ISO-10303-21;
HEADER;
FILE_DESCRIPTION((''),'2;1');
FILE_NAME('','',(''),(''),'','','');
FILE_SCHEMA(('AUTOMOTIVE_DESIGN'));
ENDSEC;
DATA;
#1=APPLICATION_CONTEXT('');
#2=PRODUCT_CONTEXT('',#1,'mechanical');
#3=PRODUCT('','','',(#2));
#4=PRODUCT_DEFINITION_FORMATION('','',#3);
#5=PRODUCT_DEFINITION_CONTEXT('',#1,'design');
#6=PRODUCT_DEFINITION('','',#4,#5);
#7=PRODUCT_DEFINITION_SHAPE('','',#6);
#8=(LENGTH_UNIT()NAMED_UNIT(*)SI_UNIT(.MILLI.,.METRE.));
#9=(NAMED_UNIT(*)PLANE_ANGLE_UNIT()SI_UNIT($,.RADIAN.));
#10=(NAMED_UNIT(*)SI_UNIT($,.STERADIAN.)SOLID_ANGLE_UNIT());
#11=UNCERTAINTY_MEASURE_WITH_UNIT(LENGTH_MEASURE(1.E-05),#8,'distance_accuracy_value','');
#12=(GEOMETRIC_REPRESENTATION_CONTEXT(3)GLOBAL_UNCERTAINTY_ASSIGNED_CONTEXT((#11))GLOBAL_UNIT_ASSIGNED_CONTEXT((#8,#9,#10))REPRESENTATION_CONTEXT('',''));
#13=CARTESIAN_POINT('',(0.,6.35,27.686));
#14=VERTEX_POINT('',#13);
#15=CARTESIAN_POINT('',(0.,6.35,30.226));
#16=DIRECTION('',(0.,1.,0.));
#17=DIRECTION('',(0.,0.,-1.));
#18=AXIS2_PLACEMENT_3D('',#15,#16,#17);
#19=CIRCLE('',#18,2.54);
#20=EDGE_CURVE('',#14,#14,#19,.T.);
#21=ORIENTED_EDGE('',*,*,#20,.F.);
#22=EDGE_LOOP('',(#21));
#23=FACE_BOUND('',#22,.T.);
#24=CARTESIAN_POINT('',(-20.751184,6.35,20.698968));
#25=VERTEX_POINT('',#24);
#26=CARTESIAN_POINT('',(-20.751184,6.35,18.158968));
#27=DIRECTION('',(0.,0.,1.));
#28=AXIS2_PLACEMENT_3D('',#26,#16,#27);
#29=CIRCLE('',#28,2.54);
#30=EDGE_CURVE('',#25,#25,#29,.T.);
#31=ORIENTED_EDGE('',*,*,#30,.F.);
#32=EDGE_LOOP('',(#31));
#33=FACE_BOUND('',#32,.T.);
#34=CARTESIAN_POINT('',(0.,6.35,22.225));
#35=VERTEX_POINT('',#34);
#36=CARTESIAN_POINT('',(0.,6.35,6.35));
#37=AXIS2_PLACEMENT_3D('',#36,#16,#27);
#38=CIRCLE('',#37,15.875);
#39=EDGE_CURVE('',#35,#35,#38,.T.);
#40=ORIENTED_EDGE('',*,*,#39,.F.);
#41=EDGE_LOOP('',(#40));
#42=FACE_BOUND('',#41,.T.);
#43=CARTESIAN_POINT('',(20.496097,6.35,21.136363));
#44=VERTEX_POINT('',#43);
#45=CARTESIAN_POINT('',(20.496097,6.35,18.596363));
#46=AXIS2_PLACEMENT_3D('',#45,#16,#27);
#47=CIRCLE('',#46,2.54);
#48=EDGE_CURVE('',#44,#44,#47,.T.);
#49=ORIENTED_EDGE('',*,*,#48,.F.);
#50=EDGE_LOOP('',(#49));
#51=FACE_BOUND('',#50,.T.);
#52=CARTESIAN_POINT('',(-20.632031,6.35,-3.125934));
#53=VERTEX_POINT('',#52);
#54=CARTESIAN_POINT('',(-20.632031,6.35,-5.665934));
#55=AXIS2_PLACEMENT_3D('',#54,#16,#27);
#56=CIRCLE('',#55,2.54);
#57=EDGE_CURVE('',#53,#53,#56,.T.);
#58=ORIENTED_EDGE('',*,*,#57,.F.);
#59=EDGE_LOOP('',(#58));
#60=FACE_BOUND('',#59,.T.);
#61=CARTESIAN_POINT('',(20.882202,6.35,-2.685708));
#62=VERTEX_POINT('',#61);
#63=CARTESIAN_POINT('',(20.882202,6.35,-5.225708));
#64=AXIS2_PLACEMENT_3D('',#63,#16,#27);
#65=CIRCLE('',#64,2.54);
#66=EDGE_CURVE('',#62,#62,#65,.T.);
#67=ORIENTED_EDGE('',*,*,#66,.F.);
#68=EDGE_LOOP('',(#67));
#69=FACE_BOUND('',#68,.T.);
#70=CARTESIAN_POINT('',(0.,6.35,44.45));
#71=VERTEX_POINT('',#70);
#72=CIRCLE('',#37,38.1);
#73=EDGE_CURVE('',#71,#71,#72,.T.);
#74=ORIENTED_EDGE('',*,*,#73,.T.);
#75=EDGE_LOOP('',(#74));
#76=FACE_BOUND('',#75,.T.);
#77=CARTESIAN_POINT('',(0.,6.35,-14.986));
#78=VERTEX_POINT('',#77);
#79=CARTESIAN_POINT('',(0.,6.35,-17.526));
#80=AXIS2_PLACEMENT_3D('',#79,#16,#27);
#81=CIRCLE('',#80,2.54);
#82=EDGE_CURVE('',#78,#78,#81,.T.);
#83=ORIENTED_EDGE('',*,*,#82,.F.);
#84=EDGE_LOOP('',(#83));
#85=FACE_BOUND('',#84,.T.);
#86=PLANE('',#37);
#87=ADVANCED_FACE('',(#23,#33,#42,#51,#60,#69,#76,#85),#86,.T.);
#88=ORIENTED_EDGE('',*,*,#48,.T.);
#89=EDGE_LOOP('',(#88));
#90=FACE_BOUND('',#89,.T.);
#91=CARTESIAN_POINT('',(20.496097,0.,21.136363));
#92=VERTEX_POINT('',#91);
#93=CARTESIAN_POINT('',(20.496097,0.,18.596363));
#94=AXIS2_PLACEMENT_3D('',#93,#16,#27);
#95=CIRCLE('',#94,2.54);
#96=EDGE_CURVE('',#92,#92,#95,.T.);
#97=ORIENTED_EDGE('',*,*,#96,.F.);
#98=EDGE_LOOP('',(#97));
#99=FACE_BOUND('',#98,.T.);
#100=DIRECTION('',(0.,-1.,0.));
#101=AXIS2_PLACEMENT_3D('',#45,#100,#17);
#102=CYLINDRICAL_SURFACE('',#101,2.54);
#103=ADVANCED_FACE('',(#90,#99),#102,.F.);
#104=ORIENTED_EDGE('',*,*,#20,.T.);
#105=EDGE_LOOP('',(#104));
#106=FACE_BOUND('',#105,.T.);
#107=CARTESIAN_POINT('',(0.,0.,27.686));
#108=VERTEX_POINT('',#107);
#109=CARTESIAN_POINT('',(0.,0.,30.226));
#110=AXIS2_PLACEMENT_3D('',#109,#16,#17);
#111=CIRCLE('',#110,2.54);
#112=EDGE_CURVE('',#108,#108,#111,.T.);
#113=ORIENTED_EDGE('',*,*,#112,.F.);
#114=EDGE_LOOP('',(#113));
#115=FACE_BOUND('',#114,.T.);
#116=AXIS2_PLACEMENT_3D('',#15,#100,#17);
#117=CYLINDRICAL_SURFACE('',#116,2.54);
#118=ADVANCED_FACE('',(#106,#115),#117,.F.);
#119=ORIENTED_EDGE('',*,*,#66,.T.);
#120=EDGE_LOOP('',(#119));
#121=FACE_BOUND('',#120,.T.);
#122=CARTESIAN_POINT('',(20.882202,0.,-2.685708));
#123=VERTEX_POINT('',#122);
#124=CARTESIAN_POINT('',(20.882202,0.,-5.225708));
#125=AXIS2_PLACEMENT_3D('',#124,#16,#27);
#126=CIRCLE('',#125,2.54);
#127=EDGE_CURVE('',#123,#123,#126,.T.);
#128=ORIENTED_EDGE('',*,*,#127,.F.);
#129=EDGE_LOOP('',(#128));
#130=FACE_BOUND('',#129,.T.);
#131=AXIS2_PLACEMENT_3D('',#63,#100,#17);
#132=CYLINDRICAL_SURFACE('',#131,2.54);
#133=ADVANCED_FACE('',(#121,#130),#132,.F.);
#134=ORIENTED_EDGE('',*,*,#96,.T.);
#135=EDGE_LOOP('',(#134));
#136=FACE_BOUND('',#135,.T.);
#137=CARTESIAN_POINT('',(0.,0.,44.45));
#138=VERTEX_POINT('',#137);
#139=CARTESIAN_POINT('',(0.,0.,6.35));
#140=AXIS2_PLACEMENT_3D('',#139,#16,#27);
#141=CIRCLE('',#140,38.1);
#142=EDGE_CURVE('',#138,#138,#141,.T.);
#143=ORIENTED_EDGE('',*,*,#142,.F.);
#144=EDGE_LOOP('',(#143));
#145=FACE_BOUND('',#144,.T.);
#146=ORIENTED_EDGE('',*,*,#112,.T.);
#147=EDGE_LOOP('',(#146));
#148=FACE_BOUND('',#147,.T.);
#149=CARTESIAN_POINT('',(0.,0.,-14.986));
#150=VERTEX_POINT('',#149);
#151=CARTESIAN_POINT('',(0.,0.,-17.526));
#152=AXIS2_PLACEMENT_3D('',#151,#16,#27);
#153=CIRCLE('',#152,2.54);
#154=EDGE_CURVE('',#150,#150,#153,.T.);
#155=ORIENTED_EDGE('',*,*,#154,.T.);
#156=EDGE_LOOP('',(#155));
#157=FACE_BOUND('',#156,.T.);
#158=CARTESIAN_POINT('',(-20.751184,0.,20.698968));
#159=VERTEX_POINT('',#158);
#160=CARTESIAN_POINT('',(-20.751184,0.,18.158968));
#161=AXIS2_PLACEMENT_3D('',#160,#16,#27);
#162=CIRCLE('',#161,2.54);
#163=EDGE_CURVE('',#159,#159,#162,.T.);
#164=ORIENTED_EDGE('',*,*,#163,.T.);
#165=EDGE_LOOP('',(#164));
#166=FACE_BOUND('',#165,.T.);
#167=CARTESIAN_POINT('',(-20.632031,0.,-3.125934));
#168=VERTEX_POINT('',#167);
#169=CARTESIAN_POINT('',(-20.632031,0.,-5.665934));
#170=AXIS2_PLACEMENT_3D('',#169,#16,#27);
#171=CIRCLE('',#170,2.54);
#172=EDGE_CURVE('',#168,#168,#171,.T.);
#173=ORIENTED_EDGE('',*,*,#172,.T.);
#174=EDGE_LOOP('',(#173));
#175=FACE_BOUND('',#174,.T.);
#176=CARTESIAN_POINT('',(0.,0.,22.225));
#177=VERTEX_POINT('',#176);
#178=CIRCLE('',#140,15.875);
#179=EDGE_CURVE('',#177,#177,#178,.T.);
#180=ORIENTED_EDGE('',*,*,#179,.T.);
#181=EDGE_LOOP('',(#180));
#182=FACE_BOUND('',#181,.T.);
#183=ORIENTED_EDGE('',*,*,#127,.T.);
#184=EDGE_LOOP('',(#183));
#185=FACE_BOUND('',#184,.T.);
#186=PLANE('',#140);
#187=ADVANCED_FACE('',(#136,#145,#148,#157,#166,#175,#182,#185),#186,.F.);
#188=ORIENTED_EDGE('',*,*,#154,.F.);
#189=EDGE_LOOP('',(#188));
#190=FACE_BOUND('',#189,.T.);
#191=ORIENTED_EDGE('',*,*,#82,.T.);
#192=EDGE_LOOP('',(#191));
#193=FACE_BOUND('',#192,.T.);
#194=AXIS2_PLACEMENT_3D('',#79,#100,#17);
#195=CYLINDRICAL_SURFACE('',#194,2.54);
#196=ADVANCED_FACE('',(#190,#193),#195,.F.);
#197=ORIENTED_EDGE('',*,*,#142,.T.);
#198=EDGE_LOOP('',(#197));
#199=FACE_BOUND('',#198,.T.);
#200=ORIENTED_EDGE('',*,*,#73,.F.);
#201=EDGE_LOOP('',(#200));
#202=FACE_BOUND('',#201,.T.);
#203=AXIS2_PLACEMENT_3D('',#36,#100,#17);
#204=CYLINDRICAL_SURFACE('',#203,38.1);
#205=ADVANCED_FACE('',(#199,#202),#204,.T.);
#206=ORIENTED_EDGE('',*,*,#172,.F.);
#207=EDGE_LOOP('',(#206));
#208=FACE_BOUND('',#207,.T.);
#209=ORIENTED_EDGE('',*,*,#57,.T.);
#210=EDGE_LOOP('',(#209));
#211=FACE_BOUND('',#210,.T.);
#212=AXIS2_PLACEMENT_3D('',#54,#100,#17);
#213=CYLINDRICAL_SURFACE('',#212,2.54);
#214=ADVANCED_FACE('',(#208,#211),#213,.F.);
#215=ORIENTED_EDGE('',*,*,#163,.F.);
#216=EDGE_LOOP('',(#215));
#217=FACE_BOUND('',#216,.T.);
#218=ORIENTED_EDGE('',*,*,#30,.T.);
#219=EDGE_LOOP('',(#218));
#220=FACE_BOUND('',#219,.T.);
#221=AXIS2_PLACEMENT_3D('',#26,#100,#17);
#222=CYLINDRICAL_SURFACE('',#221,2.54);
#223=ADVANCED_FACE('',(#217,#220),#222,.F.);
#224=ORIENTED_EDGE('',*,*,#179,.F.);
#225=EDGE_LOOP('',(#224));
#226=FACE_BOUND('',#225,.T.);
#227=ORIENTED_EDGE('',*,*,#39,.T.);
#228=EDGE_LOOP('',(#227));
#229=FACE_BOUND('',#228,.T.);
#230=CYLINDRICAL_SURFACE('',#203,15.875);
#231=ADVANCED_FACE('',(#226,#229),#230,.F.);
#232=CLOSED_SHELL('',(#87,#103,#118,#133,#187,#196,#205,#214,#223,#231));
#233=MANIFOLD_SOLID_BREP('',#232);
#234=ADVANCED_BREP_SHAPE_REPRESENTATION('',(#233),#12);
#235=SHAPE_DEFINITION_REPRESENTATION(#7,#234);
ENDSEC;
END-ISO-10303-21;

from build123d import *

# Parameters (mm, degrees)
SKETCH1_R           = 38.1
SKETCH1_R_2         = 15.875
SKETCH1_R_3         = 2.54
BOSS_EXTRUDE1_DEPTH = 6.35


with BuildPart() as part:
    # Sketch1 → Boss-Extrude1 (new body)
    with BuildSketch(Plane(origin=(0, 0, 0), x_dir=(1, 0, 0), z_dir=(0, 1, 0))):
        with Locations(Location((0, -6.35, 0), (0, 0, 270))):
            Circle(SKETCH1_R)
        with Locations(Location((0, -6.35, 0), (0, 0, 270))):
            Circle(SKETCH1_R_2, mode=Mode.SUBTRACT)
        with Locations(Location((-20.632030992, 5.665934136, 0), (0, 0, 270))):
            Circle(SKETCH1_R_3, mode=Mode.SUBTRACT)
        with Locations(Location((-20.751184373, -18.15896791, 0), (0, 0, 270))):
            Circle(SKETCH1_R_3, mode=Mode.SUBTRACT)
        with Locations(Location((20.882201741, 5.225708465, 0), (0, 0, 270))):
            Circle(SKETCH1_R_3, mode=Mode.SUBTRACT)
        with Locations(Location((20.496096578, -18.596362769, 0), (0, 0, 270))):
            Circle(SKETCH1_R_3, mode=Mode.SUBTRACT)
        with Locations(Location((0, 17.526, 0), (0, 0, 270))):
            Circle(SKETCH1_R_3, mode=Mode.SUBTRACT)
        with Locations(Location((0, -30.226, 0), (0, 0, 90))):
            Circle(SKETCH1_R_3, mode=Mode.SUBTRACT)
    extrude(amount=BOSS_EXTRUDE1_DEPTH)


solid = part.part
